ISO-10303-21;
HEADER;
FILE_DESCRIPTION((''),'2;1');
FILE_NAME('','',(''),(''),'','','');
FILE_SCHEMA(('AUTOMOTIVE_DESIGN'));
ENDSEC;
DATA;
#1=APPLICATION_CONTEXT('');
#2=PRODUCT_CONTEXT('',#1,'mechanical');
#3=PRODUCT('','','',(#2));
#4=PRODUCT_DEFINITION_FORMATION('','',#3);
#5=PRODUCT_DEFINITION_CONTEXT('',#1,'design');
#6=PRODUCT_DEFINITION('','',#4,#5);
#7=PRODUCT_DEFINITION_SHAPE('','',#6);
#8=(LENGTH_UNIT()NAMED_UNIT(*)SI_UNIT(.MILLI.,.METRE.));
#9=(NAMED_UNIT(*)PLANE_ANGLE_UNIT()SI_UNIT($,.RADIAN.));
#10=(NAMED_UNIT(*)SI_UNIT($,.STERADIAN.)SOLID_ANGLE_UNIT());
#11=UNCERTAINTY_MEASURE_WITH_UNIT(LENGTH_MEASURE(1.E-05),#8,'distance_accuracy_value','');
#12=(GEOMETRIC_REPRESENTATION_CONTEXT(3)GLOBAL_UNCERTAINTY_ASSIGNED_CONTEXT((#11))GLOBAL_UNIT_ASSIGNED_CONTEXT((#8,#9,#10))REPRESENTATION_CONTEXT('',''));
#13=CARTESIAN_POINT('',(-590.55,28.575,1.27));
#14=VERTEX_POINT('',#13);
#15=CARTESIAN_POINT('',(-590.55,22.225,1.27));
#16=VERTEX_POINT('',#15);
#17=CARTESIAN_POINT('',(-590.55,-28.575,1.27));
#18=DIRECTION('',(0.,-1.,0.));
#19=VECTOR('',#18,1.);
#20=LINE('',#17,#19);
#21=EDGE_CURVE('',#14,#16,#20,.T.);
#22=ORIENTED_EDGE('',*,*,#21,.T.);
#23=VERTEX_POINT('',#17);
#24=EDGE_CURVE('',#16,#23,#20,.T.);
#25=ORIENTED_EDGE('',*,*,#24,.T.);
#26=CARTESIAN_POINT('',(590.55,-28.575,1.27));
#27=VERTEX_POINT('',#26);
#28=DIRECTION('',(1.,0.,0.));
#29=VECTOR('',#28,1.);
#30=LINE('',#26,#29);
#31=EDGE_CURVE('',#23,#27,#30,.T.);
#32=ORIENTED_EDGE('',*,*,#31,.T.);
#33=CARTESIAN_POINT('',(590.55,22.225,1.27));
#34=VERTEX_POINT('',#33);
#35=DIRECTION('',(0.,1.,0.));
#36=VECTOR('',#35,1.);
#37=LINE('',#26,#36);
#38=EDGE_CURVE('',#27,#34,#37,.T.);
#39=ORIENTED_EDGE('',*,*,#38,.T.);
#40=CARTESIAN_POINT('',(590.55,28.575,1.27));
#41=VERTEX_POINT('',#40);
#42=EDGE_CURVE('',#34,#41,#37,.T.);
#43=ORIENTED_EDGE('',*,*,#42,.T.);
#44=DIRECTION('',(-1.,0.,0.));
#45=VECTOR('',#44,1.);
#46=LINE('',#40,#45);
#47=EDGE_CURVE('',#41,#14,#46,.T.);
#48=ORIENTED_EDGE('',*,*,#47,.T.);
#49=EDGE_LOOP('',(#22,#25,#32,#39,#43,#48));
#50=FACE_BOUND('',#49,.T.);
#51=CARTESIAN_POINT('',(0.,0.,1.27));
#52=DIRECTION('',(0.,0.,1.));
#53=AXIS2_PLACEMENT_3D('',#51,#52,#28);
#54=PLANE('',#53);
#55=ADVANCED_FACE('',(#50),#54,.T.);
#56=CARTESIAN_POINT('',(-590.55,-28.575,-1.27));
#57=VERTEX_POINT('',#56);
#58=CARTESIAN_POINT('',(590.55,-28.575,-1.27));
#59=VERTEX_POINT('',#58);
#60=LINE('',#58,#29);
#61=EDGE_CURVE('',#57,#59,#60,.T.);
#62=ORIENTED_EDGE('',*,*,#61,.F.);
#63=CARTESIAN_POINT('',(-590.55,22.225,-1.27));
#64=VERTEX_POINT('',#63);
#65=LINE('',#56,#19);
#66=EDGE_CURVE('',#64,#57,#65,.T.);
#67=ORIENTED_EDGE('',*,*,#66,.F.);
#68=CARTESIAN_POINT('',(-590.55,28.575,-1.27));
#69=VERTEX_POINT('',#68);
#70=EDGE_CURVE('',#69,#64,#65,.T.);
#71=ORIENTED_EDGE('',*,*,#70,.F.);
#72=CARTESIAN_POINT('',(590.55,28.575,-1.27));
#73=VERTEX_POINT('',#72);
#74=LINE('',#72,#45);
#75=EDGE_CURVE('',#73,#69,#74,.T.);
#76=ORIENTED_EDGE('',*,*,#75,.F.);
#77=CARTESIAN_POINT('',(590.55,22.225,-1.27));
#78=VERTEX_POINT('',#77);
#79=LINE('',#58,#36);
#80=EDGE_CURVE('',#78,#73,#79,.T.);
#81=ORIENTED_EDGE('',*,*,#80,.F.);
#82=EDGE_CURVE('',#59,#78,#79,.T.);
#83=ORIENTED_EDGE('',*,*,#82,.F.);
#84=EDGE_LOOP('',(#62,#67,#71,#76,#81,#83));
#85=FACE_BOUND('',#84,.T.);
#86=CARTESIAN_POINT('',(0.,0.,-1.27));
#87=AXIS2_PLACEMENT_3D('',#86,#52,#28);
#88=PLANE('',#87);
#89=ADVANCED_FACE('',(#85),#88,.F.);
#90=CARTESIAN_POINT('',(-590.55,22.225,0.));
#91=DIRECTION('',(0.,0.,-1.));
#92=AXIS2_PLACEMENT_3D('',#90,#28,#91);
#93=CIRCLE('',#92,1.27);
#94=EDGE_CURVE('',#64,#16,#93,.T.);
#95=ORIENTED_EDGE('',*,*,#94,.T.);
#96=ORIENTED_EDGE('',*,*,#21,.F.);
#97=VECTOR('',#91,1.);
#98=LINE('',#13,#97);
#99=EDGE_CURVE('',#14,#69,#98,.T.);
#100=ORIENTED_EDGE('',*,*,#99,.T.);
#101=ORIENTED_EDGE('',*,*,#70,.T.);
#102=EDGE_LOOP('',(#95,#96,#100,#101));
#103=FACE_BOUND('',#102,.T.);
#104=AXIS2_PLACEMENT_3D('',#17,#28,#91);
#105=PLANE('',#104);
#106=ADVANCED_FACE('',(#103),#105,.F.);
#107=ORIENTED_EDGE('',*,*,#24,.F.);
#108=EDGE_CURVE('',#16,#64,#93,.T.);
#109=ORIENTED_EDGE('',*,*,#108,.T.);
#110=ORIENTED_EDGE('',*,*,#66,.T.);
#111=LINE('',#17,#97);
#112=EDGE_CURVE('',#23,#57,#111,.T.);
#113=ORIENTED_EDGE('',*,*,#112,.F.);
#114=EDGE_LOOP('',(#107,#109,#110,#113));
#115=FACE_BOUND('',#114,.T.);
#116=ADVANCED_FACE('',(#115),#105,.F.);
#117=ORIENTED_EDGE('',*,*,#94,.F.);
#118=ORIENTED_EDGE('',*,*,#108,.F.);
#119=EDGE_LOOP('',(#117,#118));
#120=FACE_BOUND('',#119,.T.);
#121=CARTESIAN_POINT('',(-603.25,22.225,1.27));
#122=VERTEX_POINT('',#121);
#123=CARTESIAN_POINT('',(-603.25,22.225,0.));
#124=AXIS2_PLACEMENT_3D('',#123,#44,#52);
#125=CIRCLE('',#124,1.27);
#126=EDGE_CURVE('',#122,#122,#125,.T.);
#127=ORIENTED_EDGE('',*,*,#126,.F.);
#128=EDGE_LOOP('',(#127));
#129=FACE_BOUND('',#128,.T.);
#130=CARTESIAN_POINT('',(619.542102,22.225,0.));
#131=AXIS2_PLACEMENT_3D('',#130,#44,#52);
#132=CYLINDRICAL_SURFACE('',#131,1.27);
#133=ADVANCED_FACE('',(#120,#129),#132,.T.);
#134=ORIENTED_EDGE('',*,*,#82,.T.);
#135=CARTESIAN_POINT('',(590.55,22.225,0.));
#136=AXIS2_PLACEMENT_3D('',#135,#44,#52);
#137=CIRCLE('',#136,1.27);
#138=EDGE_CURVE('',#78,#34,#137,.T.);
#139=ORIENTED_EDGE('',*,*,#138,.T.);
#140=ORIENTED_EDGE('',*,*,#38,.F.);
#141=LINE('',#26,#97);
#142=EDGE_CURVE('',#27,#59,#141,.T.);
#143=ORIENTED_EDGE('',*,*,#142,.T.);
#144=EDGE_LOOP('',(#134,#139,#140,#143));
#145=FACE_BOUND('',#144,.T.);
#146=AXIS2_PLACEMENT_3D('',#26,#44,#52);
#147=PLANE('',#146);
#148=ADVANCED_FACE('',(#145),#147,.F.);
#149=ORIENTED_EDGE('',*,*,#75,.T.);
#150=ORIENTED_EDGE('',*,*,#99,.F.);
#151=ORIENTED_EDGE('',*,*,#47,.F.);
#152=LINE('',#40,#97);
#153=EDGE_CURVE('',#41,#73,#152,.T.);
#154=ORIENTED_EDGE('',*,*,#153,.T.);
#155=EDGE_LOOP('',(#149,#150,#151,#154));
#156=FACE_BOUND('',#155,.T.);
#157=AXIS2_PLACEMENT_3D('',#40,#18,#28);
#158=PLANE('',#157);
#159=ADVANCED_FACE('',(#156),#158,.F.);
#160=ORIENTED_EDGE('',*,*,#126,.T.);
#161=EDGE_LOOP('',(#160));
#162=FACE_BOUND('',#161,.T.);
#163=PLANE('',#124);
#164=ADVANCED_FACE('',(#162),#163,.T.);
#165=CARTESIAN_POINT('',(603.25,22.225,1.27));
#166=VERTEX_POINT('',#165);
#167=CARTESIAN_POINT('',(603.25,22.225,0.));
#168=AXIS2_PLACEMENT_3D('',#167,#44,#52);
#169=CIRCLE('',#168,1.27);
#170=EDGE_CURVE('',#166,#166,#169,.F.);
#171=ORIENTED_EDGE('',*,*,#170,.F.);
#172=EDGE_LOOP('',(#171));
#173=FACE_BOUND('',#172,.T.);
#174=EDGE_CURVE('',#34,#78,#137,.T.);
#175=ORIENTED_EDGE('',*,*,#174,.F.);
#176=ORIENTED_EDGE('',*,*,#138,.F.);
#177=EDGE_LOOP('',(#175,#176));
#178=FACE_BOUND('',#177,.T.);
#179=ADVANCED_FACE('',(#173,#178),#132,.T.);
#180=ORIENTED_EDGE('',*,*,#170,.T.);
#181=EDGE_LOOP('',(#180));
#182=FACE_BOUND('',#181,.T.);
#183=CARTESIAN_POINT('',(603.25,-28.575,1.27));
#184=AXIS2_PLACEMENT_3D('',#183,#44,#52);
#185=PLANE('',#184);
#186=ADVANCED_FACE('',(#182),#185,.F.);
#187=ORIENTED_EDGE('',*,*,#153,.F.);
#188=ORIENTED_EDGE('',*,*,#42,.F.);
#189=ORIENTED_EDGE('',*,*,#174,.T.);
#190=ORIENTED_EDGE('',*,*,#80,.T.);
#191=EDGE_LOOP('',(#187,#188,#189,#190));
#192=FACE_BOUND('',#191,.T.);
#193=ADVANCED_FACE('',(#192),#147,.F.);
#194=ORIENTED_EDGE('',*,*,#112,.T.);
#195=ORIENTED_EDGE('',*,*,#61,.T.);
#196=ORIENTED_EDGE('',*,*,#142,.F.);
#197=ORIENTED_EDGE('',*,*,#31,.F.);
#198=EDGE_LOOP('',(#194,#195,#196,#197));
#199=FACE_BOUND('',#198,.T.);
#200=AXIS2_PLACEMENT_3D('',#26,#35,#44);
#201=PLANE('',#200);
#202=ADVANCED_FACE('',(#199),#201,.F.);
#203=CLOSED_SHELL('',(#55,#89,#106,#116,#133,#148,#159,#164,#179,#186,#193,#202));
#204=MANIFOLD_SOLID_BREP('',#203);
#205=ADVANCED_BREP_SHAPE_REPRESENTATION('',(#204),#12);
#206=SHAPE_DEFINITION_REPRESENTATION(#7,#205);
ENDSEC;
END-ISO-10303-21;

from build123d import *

# Parameters (mm, degrees)
SKETCH1_W                = 1181.1
SKETCH1_H                = 57.15
BOSS_EXTRUDE1_DEPTH      = 1.27
SKETCH2_R                = 1.27
BOSS_EXTRUDE2_DEPTH      = 12.7
BOSS_EXTRUDE2_DEPTH_BACK = 1193.8


with BuildPart() as part:
    # Sketch1 → Boss-Extrude1 (new body, symmetric)
    with BuildSketch(Plane.XY):
        Rectangle(SKETCH1_W, SKETCH1_H)
    extrude(amount=BOSS_EXTRUDE1_DEPTH, both=True)

    # Sketch2 → Boss-Extrude2 (add, two sides)
    with BuildSketch(Plane.ZY.offset(590.55)) as boss_extrude2_sk:
        with Locations((0, 22.225)):
            Circle(SKETCH2_R)
    extrude(amount=BOSS_EXTRUDE2_DEPTH)
    extrude(boss_extrude2_sk.sketch, amount=-BOSS_EXTRUDE2_DEPTH_BACK)


solid = part.part
